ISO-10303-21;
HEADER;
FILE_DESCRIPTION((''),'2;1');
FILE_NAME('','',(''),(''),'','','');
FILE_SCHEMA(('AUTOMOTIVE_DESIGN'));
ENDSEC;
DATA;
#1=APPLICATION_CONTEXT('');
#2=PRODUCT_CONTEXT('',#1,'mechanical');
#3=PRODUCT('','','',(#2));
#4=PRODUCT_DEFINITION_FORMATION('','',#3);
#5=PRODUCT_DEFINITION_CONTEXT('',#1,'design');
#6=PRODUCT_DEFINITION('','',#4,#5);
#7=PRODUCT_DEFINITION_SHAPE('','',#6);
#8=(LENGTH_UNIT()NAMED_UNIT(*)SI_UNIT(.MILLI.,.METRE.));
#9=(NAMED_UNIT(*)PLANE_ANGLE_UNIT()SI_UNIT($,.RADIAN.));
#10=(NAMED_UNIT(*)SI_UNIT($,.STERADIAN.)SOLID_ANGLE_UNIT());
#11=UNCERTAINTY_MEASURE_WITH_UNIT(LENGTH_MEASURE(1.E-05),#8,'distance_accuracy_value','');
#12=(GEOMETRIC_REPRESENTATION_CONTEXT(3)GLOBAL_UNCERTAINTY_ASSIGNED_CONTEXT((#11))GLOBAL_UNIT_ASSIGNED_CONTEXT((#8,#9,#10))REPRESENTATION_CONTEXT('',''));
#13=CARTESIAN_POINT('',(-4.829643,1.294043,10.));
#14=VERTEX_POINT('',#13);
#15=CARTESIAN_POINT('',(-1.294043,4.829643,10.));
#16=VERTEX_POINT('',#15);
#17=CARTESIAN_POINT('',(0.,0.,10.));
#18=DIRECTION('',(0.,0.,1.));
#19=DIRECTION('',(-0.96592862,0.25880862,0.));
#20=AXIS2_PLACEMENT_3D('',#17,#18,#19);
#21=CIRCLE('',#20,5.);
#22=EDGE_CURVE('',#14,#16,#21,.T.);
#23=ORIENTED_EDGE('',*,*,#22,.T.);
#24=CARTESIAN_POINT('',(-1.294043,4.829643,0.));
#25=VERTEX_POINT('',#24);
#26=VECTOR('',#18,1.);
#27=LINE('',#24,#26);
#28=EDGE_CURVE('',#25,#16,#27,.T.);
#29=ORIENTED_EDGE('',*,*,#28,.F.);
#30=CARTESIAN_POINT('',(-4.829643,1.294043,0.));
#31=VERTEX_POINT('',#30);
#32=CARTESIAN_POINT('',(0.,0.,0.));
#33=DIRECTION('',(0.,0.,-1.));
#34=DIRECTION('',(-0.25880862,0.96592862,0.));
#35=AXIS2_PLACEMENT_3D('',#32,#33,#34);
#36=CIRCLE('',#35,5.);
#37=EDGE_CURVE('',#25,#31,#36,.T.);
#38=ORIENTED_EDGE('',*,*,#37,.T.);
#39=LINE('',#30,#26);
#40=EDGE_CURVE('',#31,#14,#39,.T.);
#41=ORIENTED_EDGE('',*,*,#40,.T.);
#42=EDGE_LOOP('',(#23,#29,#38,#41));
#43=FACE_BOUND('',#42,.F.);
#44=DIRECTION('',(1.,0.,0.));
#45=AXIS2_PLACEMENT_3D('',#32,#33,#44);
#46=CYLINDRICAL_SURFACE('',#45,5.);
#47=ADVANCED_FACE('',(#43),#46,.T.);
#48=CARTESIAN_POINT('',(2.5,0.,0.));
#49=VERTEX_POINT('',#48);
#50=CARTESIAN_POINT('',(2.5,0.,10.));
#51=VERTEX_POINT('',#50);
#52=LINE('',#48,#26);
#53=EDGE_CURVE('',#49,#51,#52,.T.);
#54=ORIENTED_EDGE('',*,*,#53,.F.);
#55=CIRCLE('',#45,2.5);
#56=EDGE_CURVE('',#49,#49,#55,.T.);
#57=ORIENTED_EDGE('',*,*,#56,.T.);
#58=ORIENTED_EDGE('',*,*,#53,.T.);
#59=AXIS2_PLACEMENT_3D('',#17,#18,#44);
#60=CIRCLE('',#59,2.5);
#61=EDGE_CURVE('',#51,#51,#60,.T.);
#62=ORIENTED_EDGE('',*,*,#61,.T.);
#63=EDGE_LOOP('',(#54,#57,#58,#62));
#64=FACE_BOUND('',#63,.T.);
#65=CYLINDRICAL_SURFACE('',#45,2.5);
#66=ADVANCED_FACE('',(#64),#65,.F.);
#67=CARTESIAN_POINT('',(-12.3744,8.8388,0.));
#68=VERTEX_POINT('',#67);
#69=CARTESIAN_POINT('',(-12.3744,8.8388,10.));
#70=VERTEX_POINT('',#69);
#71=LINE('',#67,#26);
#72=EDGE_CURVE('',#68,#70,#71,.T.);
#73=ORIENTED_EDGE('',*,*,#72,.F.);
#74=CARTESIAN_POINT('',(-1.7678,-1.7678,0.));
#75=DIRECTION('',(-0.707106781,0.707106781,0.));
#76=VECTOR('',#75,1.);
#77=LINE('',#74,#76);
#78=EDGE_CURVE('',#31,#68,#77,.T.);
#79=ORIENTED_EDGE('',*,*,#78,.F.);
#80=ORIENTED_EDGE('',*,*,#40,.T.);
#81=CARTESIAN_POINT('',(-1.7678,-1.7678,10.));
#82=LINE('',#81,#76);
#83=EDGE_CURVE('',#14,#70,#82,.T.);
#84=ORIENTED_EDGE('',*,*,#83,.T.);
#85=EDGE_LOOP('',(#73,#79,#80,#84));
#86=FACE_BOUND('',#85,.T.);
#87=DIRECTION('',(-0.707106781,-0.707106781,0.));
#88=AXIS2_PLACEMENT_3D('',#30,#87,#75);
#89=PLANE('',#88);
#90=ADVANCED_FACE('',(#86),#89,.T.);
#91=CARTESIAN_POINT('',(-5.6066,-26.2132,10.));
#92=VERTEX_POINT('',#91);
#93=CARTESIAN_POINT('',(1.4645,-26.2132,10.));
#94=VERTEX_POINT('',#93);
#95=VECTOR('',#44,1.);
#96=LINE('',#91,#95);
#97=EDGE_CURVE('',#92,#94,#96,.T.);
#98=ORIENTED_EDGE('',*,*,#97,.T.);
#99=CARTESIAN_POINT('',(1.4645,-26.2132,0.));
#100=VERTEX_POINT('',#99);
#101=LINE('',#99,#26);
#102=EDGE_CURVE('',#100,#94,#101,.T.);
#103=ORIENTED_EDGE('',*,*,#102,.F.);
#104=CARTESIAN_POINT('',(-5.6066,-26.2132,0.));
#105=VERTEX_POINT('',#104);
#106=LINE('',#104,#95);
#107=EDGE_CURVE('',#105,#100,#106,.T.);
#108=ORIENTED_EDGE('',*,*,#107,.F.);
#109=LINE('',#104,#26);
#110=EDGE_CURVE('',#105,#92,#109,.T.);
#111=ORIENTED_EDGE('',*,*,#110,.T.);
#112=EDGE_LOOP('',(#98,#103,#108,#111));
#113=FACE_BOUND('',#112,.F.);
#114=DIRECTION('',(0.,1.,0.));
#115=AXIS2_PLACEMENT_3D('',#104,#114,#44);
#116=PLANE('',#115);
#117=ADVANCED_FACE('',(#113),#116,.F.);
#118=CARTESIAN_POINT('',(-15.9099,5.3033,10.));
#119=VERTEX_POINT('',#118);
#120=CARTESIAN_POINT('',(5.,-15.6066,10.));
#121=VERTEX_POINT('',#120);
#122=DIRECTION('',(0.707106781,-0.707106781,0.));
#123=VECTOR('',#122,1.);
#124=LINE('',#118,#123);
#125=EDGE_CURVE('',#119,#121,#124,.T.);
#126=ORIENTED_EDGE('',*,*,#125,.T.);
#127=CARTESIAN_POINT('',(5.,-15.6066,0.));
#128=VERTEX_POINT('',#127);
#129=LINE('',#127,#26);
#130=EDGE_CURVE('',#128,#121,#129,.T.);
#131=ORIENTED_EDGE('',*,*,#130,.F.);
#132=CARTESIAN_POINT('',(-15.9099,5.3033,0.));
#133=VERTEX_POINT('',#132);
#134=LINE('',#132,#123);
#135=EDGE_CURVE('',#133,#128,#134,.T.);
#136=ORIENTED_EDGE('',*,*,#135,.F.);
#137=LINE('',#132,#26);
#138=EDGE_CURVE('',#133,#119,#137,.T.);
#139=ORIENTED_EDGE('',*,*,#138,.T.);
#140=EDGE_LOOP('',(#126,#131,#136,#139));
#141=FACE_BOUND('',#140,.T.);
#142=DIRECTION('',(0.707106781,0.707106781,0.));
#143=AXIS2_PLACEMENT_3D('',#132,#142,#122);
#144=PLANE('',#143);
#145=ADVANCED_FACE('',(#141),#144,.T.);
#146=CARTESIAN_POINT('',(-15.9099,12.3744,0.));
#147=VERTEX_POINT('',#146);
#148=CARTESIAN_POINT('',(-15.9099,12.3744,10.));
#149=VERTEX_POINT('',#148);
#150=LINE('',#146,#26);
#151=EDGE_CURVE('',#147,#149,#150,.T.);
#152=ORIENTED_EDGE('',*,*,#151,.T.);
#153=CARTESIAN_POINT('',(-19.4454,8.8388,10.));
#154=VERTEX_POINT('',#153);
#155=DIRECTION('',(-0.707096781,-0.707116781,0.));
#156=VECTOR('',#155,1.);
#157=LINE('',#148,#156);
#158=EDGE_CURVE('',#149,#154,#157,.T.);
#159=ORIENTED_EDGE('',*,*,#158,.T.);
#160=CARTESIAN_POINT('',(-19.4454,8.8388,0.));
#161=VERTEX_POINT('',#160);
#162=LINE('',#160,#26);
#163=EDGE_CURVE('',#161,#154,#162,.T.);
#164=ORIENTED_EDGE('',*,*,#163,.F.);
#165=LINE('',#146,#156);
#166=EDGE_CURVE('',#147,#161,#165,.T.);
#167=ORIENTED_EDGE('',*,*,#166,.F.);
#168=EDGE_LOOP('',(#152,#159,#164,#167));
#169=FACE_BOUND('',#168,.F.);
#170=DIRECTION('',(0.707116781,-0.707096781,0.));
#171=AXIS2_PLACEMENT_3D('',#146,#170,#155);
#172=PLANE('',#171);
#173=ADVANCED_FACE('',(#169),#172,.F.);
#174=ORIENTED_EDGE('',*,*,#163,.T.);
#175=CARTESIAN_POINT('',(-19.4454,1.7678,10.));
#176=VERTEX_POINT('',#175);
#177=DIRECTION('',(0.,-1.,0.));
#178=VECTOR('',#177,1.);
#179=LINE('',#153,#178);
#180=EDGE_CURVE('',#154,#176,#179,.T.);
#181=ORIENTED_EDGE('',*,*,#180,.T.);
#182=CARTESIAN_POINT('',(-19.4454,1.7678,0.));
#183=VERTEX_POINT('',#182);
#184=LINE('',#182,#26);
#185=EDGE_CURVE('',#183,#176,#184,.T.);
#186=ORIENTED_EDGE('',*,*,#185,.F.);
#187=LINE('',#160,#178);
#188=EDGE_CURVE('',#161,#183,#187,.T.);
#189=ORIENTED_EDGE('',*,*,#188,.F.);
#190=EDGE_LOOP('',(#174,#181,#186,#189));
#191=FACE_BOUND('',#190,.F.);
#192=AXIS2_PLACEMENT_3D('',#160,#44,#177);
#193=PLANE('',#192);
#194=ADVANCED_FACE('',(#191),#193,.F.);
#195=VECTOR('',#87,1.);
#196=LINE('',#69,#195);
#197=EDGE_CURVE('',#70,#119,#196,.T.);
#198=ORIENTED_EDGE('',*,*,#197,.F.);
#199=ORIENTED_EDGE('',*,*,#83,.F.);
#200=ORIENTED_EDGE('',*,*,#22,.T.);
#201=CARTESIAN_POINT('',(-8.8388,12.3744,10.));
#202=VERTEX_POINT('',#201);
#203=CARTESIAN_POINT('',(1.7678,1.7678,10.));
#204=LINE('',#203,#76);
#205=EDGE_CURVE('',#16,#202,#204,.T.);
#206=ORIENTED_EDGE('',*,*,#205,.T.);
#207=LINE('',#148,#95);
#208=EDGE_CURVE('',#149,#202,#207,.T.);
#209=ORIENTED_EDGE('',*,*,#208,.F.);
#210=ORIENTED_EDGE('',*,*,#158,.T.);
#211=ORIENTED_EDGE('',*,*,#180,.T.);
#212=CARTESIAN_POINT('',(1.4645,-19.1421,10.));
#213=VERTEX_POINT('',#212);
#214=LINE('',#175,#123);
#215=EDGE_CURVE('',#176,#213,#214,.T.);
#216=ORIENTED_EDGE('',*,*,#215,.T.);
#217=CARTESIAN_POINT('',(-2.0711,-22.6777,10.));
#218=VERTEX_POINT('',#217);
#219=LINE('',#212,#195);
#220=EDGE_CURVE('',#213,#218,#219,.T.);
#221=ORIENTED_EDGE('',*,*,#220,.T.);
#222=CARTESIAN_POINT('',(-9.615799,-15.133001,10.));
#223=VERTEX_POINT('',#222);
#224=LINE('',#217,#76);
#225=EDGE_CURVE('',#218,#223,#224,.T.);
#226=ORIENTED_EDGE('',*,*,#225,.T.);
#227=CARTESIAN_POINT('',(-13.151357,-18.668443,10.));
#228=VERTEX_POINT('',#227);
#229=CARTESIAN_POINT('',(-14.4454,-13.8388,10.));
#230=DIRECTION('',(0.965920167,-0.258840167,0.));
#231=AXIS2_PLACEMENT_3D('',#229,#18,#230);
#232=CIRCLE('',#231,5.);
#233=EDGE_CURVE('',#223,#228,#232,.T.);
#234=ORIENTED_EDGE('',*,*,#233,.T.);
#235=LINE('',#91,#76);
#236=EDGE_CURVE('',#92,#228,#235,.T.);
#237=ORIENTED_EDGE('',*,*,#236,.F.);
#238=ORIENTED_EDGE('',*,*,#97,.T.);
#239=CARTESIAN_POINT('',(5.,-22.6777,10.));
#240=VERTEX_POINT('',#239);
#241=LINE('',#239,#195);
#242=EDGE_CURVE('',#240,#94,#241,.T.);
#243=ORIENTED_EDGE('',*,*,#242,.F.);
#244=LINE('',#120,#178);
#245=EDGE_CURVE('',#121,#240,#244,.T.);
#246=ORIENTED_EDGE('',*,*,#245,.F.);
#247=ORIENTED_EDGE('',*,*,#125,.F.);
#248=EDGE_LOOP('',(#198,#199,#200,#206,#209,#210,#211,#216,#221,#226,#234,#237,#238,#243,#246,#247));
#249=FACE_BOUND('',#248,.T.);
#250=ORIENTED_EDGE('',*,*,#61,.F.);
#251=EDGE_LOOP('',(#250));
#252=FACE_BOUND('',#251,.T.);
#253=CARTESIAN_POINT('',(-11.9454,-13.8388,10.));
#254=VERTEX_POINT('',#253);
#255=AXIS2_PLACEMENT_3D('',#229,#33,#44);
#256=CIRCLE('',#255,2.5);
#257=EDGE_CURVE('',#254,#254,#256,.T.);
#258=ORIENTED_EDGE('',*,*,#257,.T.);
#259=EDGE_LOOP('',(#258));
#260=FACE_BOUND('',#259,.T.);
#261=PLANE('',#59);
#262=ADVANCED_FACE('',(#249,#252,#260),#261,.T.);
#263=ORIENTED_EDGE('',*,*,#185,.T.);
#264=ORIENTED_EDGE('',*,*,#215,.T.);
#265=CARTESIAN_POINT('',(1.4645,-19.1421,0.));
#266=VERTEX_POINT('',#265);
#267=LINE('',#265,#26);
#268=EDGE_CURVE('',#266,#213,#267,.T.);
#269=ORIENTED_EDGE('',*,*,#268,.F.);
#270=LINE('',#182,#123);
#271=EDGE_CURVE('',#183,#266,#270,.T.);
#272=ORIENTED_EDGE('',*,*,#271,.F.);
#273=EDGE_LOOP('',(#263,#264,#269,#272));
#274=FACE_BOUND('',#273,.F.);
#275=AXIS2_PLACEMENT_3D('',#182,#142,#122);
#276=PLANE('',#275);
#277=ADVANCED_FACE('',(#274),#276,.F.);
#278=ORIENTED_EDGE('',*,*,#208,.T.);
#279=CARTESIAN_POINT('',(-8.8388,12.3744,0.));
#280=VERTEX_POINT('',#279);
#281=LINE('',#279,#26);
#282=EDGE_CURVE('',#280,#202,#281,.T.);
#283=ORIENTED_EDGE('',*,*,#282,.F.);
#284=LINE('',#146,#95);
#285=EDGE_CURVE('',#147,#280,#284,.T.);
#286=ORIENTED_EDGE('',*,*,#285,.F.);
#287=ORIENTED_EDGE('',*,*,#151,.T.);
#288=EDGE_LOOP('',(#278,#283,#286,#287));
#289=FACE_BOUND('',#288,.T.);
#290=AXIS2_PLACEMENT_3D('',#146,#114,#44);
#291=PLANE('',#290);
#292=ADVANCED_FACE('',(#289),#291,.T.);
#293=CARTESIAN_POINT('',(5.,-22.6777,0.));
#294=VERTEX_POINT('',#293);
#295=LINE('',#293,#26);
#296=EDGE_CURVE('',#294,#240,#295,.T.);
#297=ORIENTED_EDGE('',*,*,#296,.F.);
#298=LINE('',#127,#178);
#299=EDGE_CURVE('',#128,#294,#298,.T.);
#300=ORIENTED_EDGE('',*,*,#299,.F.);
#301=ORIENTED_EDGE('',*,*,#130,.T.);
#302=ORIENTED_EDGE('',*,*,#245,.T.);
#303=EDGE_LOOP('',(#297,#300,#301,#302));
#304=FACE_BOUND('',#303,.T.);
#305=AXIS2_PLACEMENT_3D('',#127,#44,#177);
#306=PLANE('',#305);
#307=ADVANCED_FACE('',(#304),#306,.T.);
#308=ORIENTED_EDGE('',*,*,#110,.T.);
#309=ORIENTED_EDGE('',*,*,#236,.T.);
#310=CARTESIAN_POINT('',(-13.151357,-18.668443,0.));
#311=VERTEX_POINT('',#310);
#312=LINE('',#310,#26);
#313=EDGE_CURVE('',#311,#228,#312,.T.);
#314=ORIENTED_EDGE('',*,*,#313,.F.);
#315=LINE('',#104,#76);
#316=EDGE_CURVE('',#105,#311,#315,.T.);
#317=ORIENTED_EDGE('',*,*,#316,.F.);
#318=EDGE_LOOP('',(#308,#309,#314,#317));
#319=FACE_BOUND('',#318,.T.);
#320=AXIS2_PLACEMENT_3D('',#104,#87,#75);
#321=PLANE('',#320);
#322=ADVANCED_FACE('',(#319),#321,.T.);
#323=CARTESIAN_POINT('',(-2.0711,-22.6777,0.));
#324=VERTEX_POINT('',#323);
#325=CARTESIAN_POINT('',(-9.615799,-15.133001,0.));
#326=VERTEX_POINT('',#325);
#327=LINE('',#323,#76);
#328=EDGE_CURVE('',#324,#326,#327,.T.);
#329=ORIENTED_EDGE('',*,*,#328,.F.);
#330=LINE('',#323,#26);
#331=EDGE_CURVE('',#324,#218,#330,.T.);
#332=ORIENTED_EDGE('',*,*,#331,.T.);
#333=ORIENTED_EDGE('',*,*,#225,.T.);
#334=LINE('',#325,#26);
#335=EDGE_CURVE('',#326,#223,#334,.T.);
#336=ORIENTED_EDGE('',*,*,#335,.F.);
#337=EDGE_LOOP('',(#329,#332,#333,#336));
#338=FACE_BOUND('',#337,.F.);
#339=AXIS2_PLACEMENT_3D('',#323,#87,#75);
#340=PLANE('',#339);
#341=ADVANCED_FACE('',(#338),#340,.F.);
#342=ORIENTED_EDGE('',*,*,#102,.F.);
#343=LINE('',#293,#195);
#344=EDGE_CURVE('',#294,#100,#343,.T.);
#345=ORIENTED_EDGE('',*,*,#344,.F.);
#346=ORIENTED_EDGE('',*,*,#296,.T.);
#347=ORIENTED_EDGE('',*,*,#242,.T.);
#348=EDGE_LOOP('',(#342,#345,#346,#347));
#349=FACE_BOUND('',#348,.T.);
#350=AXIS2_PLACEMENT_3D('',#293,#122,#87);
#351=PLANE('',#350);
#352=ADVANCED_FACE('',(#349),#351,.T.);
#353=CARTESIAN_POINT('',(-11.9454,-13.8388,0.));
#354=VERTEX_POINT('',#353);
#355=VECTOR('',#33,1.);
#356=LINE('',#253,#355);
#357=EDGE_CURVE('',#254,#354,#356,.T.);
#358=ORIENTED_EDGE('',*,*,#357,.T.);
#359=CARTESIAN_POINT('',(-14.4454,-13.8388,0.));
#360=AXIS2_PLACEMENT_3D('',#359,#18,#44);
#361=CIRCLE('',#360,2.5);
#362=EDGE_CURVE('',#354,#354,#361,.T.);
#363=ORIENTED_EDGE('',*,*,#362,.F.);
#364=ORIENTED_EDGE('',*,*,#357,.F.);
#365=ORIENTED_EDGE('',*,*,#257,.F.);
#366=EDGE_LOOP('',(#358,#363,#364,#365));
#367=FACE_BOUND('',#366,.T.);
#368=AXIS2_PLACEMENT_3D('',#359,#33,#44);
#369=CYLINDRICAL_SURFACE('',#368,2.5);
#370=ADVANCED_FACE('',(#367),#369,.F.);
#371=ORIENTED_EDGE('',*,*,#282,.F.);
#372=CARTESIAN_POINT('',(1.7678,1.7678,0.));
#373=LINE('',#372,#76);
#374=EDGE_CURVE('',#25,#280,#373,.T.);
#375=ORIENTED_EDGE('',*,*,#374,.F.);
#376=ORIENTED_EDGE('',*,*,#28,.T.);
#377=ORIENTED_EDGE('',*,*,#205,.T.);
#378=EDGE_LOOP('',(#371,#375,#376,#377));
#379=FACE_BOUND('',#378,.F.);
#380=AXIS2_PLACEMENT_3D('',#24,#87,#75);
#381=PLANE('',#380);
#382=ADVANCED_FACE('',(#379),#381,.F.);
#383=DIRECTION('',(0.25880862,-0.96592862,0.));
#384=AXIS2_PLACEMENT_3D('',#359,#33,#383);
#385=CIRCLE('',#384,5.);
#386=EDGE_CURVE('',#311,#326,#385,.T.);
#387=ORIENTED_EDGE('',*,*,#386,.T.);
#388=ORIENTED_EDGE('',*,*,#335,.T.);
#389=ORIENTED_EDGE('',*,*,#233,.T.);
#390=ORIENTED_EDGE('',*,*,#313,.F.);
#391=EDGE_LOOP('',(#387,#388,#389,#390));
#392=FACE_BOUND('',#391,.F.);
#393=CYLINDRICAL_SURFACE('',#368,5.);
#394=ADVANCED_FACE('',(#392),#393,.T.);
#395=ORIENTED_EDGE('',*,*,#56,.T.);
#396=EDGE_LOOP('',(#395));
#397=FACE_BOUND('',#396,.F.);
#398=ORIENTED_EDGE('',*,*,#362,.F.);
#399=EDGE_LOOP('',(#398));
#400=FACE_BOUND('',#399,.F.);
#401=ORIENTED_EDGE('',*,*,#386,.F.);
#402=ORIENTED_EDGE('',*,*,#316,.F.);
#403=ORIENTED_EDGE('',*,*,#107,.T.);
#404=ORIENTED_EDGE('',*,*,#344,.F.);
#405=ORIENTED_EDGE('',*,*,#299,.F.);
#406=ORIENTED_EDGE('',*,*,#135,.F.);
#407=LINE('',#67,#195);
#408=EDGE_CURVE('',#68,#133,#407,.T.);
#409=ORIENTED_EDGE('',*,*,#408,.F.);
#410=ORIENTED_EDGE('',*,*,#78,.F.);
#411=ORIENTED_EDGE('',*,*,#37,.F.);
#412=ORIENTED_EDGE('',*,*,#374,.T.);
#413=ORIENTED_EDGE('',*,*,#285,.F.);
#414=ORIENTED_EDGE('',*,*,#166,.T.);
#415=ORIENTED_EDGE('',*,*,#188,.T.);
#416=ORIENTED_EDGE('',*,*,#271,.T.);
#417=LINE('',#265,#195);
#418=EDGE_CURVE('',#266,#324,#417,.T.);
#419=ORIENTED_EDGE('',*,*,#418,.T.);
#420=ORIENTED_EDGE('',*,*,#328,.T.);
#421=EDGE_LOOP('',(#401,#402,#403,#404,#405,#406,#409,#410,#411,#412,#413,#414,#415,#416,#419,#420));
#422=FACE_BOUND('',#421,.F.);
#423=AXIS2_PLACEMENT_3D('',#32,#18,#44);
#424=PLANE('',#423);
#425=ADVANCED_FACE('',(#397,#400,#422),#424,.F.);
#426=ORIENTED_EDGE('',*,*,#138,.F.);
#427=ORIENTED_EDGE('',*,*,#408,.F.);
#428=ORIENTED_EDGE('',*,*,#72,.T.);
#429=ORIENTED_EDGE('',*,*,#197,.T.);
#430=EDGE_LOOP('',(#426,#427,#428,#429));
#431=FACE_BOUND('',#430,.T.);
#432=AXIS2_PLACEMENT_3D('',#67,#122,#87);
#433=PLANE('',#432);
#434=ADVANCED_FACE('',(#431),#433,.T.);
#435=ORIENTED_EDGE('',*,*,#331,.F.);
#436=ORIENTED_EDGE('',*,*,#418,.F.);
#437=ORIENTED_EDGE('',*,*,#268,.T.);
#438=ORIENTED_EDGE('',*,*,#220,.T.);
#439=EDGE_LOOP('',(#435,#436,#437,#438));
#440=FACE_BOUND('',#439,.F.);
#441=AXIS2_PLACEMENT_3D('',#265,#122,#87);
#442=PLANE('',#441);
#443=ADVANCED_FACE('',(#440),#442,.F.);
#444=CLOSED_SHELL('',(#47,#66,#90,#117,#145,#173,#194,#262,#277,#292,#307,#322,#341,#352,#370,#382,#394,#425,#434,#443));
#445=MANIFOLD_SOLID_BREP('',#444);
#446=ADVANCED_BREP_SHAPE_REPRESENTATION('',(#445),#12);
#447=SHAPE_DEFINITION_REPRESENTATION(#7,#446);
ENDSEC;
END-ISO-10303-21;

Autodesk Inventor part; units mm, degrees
ref_plane "YZ Plane" through (0, 0, 0) normal (1, 0, 0) x (0, 1, 0)
ref_plane "XZ Plane" through (0, 0, 0) normal (0, 1, 0) x (-1, 0, 0)
ref_plane "XY Plane" through (0, 0, 0) normal (0, 0, 1) x (1, 0, 0)
sketch "Sketch1" plane through (0, 0, 0) normal (0, 0, 1) x (1, 0, 0)
  circle A0 centre (0, 0) radius 2.5
  circle A1 centre (0, 0) radius 5
  line L0 (-1.7678, -1.7678) -> (-12.3744, 8.8388)
  line L1 (-12.3744, 8.8388) -> (-15.9099, 5.3033)
  line L2 (-15.9099, 5.3033) -> (5, -15.6066)
  line L3 (5, -15.6066) -> (5, -22.6777)
  line L4 (5, -22.6777) -> (1.4645, -26.2132)
  line L5 (-5.6066, -26.2132) -> (-16.2132, -15.6066)
  line L6 (1.7678, 1.7678) -> (-8.8388, 12.3744)
  line L7 (-15.9099, 12.3744) -> (-19.4454, 8.8388)
  line L8 (-19.4454, 8.8388) -> (-19.4454, 1.7678)
  line L9 (-19.4454, 1.7678) -> (1.4645, -19.1421)
  line L10 (1.4645, -19.1421) -> (-2.0711, -22.6777)
  line L11 (-2.0711, -22.6777) -> (-12.6777, -12.0711)
  line L12 (-12.6777, -12.0711) -> (-16.2132, -15.6066)
  line L13 (-1.7678, -1.7678) -> (1.7678, 1.7678)
  circle A2 centre (-14.4454, -13.8388) radius 2.5
  circle A3 centre (-14.4454, -13.8388) radius 5
  line L14 (-15.9099, 12.3744) -> (-8.8388, 12.3744)
  line L15 (-5.6066, -26.2132) -> (1.4645, -26.2132)
  dimension "d0" = 5
  dimension "d1" = 10
  dimension "d3" = 90
  dimension "d6" = 135
  dimension "d7" = 135
  dimension "d8" = 90
  dimension "d9" = 5
  dimension "d12" = 10
  dimension "d13" = 15
  dimension "d14" = 15
  dimension "d31" = 7.0711
  dimension "d32" = 15
  dimension "d33" = 7.0711
  dimension "d34" = 15
  dimension "d35" = 7.0711
  dimension "d36" = 7.0711
  dimension "d37" = 5
  dimension "d38" = 90
  dimension "d39" = 135
  dimension "d40" = 5
  dimension "d41" = 5
extrude "Extrusion10" add sketch "Sketch1" along normal blind 10 contours A0 L6 A1 L0 | A0 L0 A1 L6 | A1 L0 L1 L2 L3 L4 L15 L5 A3 L11 L10 L9 L8 L7 L14 L6 | A3 L5 A2 L11 | L11 A2 L5 A3 | A2 L12 picked at (-13.4317, -14.7545)
sketch "Sketch6" plane through (0, 0, 10) normal (0, 0, 1) x (1, 0, 0)
  line L0 (-1.2941, 4.8296) -> (-8.8388, 12.3744) projected
  line L1 (-8.8388, 12.3744) -> (-15.9099, 12.3744) projected
  line L2 (-15.9099, 12.3744) -> (-19.4454, 8.8388) projected
  line L3 (-19.4454, 8.8388) -> (-19.4454, 1.7678) projected
  line L4 (-19.4454, 1.7678) -> (1.4645, -19.1421) projected
  line L5 (1.4645, -19.1421) -> (-2.0711, -22.6777) projected
  line L6 (-2.0711, -22.6777) -> (-9.6158, -15.1329) projected
  arc A0 (-9.6158, -15.1329) -> (-13.1513, -18.6685) centre (-14.4454, -13.8388) ccw projected
  line L7 (-13.1513, -18.6685) -> (-5.6066, -26.2132) projected
  line L8 (-5.6066, -26.2132) -> (1.4645, -26.2132) projected
  line L9 (1.4645, -26.2132) -> (5, -22.6777) projected
  line L10 (5, -22.6777) -> (5, -15.6066) projected
  line L11 (5, -15.6066) -> (-15.9099, 5.3033) projected
  line L12 (-15.9099, 5.3033) -> (-12.3744, 8.8388) projected
  line L13 (-12.3744, 8.8388) -> (-4.8296, 1.2941) projected
  arc A1 (-4.8296, 1.2941) -> (-1.2941, 4.8296) centre (0, 0) ccw projected
  line L14 (-16.2132, -15.6066) -> (-12.6777, -12.0711) projected
  arc A2 (-12.6777, -12.0711) -> (-16.2132, -15.6066) centre (-14.4454, -13.8388) ccw projected
  circle A3 centre (0, 0) radius 2.5 projected
  circle A4 centre (-14.4454, -13.8388) radius 2.5
extrude "Extrusion11" cut sketch "Sketch6" against normal blind 10 contours L14 A4
equation "\"d1\" = 2 * d0"
equation "\"d9\" = d0"
equation "\"d12\" = d1"
equation "\"d13\" = 3 * d0"
equation "\"d14\" = d13"
properties part number "Sawaiz Logo Ribbon 4"
